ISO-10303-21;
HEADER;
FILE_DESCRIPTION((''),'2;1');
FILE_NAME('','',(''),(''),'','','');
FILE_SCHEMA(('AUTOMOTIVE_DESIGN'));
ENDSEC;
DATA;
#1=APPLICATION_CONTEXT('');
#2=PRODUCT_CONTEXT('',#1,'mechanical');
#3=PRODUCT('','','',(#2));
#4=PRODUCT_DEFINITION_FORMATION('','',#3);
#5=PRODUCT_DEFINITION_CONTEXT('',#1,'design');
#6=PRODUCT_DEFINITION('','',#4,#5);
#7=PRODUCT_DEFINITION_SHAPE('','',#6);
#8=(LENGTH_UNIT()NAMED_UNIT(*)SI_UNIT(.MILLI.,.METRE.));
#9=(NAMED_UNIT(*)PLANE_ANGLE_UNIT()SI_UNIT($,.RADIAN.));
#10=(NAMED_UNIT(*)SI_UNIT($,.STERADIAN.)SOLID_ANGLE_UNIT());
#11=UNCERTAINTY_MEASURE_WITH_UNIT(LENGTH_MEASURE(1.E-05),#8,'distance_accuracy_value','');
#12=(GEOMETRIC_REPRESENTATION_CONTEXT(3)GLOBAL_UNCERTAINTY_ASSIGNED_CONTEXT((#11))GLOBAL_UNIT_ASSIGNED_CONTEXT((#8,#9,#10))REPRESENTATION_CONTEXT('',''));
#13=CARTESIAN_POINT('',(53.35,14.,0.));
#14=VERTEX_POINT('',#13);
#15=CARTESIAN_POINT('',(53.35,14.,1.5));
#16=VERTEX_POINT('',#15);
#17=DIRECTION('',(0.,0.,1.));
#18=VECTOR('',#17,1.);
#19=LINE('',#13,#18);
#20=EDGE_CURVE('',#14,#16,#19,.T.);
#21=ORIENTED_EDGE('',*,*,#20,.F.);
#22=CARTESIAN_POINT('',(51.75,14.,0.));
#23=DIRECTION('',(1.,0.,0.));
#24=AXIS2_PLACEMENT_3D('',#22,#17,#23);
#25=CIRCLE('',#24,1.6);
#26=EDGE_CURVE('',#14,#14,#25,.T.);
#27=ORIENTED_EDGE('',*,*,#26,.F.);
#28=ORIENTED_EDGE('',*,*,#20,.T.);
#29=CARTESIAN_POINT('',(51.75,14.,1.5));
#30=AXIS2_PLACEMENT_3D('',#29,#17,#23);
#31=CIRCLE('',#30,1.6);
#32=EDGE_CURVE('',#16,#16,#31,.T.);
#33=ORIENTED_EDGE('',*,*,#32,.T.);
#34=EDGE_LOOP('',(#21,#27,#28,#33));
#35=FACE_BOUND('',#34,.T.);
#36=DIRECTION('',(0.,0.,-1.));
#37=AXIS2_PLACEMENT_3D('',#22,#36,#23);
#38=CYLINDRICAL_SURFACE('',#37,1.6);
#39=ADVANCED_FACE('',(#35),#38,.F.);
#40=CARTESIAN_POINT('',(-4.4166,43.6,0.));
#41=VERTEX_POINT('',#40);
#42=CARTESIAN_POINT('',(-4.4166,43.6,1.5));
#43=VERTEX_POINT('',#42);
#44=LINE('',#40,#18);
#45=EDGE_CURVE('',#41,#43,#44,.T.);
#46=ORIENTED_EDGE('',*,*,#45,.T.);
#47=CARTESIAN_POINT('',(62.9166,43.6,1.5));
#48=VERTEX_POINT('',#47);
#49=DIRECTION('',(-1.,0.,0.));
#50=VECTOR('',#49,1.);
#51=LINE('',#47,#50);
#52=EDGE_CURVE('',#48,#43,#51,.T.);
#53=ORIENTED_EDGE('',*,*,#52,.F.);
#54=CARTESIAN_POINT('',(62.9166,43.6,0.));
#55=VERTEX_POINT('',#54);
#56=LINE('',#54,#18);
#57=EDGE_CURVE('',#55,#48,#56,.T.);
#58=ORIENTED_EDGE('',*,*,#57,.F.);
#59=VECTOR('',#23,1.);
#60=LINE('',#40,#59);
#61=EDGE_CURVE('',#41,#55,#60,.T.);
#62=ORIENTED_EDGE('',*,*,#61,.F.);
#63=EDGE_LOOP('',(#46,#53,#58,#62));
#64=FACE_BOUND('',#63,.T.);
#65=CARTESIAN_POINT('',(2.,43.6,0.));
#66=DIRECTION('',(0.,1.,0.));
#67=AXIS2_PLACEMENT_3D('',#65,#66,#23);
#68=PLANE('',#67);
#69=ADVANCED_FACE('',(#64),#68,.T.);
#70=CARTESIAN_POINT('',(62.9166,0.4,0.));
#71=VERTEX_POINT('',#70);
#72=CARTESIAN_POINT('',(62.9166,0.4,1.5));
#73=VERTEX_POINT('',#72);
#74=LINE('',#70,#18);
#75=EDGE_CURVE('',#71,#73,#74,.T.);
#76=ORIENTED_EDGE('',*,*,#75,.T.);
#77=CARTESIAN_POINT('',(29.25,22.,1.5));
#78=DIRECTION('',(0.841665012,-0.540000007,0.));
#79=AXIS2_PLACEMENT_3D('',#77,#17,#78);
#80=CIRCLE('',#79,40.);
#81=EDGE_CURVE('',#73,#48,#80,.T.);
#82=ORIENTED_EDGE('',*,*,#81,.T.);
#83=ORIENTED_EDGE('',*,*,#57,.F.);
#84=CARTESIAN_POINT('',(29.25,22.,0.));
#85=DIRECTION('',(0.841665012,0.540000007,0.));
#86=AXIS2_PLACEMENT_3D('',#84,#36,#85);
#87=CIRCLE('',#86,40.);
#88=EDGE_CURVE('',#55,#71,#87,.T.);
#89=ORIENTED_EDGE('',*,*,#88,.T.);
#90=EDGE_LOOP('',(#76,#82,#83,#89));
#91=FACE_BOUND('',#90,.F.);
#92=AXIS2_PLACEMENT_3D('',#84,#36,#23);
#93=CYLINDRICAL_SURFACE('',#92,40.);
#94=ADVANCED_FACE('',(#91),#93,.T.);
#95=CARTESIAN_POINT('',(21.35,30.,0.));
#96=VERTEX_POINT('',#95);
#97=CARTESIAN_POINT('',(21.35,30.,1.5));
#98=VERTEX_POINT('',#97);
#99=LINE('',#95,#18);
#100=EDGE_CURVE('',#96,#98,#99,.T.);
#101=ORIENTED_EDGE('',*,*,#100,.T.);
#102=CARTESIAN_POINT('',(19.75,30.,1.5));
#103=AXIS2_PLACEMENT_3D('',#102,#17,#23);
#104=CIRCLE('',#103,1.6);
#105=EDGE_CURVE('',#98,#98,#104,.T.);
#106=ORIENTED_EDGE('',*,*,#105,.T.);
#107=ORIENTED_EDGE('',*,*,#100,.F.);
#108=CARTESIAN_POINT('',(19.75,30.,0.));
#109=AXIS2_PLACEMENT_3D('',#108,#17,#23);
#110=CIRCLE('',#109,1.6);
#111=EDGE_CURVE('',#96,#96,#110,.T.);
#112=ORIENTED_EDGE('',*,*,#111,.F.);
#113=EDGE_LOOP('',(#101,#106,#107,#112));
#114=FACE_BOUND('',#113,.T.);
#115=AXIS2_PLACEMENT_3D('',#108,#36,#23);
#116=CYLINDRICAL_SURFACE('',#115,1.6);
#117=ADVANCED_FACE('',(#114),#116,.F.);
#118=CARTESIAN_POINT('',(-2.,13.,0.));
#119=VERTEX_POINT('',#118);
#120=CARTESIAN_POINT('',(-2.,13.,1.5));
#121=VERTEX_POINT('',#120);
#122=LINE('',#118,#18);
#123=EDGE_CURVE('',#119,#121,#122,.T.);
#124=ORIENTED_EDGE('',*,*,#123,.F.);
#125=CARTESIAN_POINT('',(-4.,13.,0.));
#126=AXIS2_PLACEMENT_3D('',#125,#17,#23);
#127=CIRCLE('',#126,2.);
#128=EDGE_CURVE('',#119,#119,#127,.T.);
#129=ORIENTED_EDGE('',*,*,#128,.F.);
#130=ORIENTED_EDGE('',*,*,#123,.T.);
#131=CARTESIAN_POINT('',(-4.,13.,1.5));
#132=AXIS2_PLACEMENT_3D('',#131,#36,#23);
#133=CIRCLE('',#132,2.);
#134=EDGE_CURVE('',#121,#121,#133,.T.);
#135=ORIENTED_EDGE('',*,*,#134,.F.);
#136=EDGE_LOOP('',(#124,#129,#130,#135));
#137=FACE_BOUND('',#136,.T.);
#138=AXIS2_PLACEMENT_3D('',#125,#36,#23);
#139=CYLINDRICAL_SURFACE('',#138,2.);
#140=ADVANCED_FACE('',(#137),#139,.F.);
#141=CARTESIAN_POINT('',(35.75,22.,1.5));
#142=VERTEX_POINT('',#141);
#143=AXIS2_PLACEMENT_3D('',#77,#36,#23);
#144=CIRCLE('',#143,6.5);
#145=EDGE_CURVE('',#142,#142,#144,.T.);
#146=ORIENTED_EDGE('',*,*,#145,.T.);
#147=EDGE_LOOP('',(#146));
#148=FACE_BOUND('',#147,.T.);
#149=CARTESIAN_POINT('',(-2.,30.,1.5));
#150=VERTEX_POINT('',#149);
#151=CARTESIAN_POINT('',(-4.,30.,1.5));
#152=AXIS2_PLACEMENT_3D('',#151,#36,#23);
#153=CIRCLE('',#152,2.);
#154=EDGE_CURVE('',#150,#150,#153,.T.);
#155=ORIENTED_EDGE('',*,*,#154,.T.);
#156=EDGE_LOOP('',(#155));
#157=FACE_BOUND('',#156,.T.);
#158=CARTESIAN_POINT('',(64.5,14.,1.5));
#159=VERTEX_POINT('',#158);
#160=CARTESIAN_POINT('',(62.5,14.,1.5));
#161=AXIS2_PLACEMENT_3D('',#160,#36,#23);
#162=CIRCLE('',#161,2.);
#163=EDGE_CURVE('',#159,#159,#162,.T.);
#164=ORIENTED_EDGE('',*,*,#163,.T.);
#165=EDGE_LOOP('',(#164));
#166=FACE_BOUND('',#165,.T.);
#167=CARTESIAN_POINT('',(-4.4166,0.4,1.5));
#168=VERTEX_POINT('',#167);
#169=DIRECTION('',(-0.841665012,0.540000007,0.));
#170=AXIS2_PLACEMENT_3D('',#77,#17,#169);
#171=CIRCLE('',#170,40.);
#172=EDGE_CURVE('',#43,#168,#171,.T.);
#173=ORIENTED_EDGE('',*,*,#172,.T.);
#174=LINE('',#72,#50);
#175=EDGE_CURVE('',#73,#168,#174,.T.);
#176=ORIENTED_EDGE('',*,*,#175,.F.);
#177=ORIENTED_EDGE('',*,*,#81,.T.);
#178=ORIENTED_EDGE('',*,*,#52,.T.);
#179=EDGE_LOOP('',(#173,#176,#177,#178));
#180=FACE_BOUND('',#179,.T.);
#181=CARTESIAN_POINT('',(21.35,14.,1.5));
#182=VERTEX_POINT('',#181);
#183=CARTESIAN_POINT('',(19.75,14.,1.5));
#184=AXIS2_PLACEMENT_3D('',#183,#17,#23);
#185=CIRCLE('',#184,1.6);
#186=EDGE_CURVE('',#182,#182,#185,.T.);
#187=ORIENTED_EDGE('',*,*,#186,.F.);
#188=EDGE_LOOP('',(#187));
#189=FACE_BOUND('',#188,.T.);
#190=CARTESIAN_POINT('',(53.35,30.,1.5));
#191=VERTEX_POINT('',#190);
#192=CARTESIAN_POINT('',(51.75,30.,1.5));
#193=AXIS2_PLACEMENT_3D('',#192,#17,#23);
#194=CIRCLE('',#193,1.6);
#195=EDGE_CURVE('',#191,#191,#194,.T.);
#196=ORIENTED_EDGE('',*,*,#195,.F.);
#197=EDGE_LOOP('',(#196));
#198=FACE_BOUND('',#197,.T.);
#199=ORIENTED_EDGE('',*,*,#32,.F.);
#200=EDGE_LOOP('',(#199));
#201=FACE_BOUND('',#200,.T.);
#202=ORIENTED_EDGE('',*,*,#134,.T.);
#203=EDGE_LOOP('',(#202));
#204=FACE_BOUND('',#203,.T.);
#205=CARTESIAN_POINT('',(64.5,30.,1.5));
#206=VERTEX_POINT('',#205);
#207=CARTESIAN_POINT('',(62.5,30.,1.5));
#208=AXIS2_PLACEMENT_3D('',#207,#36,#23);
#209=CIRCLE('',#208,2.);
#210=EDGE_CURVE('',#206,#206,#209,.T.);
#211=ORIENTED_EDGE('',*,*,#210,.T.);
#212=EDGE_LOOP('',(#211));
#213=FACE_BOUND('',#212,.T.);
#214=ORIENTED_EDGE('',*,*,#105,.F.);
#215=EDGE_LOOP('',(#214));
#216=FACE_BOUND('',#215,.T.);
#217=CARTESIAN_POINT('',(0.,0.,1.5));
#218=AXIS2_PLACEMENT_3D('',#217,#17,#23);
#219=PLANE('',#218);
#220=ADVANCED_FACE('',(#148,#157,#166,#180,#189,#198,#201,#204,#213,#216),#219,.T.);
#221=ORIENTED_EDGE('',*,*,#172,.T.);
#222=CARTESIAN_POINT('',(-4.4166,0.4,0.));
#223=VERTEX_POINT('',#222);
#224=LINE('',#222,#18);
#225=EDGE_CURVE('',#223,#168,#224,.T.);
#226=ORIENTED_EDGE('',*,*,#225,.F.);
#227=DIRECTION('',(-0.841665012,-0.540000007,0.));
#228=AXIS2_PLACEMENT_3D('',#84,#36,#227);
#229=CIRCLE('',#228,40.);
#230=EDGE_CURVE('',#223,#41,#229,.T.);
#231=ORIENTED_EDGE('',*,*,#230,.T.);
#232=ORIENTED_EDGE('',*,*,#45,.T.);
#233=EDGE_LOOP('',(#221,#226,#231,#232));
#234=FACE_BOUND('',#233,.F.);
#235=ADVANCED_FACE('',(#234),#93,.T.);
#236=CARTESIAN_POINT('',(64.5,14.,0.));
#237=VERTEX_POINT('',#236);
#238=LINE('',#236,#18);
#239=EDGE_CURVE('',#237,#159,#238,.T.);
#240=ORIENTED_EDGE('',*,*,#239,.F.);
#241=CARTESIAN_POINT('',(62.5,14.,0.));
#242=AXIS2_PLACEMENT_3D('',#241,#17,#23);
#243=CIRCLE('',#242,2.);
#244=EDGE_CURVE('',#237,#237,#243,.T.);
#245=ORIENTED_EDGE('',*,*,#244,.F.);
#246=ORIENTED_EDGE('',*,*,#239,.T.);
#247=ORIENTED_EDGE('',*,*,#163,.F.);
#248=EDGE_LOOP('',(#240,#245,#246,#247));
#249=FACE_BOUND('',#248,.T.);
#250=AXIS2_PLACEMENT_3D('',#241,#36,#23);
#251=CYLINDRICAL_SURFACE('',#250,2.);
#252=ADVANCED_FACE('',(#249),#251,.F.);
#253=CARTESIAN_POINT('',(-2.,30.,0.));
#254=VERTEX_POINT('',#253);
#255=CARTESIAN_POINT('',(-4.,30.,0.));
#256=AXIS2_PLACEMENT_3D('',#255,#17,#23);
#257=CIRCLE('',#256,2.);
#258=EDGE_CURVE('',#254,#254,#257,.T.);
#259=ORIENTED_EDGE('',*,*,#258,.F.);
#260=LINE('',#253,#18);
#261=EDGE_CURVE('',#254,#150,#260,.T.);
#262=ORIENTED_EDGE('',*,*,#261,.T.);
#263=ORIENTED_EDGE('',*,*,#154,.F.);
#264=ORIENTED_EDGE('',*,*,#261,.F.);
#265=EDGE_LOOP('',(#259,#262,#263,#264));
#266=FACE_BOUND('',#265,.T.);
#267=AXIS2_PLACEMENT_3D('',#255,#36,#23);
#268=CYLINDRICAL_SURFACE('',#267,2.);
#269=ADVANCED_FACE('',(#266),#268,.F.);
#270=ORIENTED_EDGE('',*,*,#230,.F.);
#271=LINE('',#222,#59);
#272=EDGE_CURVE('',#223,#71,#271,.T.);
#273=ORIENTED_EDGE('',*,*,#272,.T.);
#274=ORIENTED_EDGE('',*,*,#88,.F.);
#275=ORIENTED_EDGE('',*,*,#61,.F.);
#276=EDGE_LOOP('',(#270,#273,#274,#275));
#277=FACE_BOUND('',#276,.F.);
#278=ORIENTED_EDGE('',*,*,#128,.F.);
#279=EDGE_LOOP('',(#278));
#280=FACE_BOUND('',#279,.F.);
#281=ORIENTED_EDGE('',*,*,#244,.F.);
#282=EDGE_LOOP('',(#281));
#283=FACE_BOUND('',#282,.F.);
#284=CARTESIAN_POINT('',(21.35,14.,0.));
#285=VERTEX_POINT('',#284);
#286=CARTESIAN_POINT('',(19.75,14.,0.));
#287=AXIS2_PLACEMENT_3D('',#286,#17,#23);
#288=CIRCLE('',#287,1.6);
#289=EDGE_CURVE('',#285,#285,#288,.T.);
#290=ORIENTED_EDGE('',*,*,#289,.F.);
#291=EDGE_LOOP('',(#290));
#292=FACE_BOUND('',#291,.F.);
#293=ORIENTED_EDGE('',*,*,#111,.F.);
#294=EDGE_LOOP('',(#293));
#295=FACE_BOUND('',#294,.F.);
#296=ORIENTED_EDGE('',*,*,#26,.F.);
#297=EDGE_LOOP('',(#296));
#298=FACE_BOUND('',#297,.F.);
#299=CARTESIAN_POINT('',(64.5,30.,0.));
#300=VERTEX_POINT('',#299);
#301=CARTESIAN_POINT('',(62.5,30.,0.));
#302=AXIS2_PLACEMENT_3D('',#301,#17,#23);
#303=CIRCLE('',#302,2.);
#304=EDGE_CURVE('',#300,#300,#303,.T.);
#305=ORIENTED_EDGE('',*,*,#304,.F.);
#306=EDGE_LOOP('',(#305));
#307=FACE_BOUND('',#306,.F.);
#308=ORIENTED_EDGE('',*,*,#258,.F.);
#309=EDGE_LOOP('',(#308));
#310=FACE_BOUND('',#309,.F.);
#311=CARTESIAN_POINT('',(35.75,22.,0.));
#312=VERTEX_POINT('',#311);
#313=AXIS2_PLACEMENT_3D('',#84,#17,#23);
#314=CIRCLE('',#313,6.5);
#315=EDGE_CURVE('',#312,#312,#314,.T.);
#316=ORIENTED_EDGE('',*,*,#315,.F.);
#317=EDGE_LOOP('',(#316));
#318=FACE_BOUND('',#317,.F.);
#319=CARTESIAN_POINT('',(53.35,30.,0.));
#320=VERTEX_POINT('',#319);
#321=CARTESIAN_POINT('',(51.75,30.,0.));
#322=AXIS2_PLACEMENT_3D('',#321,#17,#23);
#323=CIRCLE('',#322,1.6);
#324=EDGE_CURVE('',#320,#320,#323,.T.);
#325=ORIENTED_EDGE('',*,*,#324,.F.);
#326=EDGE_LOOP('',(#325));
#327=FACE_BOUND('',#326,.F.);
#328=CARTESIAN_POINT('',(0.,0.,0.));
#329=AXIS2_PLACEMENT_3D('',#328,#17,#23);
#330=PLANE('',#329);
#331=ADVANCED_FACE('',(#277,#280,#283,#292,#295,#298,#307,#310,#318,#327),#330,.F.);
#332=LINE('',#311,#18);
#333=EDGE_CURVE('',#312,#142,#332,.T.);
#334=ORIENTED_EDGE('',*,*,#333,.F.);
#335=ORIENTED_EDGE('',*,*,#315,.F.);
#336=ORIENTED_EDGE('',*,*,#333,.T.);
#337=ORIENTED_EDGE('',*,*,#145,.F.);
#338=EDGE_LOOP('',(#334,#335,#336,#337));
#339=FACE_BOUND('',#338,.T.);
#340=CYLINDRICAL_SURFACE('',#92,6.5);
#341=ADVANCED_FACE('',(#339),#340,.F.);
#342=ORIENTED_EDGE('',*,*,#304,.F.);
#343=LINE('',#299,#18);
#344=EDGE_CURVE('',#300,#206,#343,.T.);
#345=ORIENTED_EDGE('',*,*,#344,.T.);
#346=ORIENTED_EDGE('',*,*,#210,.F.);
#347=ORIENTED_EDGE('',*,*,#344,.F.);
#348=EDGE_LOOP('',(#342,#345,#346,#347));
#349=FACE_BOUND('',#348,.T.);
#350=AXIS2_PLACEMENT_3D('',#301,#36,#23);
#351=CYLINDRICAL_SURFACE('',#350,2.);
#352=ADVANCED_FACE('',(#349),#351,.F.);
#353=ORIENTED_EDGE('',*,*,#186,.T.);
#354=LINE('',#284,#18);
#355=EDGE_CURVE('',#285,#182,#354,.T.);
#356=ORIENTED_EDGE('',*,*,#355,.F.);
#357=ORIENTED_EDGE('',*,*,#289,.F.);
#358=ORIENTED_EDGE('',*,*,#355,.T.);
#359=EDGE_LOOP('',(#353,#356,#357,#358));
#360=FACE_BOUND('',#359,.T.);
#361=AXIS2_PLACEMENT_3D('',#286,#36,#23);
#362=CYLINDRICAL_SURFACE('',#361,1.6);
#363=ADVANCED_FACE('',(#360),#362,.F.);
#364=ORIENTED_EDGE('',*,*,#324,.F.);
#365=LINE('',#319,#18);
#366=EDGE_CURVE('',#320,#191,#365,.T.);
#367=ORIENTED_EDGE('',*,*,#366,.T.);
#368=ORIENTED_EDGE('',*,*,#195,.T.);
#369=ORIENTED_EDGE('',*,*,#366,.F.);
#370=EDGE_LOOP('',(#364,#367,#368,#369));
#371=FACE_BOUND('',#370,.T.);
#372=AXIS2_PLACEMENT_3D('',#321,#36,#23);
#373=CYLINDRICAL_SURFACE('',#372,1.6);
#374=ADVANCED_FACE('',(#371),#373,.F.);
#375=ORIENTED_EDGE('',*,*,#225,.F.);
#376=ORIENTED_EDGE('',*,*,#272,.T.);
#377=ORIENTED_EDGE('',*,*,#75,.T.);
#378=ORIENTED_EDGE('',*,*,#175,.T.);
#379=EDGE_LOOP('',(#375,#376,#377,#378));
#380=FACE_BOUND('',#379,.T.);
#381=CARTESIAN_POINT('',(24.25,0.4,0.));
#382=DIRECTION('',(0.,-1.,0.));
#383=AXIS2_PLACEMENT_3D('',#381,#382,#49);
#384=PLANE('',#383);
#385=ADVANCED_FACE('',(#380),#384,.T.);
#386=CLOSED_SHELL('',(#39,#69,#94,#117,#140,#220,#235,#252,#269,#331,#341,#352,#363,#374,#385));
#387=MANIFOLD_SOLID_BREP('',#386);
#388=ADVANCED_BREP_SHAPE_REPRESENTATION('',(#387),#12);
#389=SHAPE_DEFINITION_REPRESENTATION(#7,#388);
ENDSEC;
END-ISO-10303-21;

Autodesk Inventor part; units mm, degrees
ref_plane "YZ Plane" through (0, 0, 0) normal (1, 0, 0) x (0, 1, 0)
ref_plane "XZ Plane" through (0, 0, 0) normal (0, 1, 0) x (-1, 0, 0)
ref_plane "XY Plane" through (0, 0, 0) normal (0, 0, 1) x (1, 0, 0)
sketch "スケッチ1" plane through (0, 0, 0) normal (0, 0, 1) x (1, 0, 0)
  line L0 (24.05, 13.6) -> (24.05, 0.4) projected
  line L1 (24.05, 13.6) -> (37.25, 13.6) projected
  line L2 (37.25, 13.6) -> (37.25, 0.4) projected
  line L3 (56.5, 0.4) -> (37.25, 0.4) projected
  line L4 (56.5, 43.6) -> (56.5, 0.4) projected
  line L5 (2, 43.6) -> (56.5, 43.6) projected
  line L6 (2, 43.6) -> (2, 0.4) projected
  line L7 (24.05, 0.4) -> (2, 0.4) projected
  circle A0 centre (19.75, 30) radius 1.35 projected
  circle A1 centre (51.75, 14) radius 1.35 projected
  circle A2 centre (51.75, 30) radius 1.35 projected
  circle A3 centre (19.75, 14) radius 1.35 projected
  line L8 (2, 43.6) -> (56.5, 43.6)
  line L9 (56.5, 43.6) -> (56.5, 0.4)
  line L10 (56.5, 0.4) -> (2, 0.4)
  line L11 (2, 0.4) -> (2, 43.6)
  circle A4 centre (19.75, 14) radius 1.6
  circle A5 centre (19.75, 30) radius 1.6
  circle A6 centre (51.75, 30) radius 1.6
  circle A7 centre (51.75, 14) radius 1.6
  line L12 (-3.8486, -27.4677) -> (-13.8486, -27.4561) projected
  line L13 (34.25, -27.4677) -> (34.25, 112.5)
  line L14 (24.25, -27.4561) -> (24.25, 112.5)
  line L15 (24.25, 22) -> (34.25, 22)
  circle A8 centre (29.25, 22) radius 6.5
  circle A9 centre (29.25, 22) radius 40
  line L16 (2, 22) -> (-10.75, 22)
  line L17 (56.5, 22) -> (69.25, 22)
  line L18 (2, 22) -> (-4, 22)
  line L19 (-4, 22) -> (-4, 13)
  line L20 (-4, 13) -> (2, 13)
  line L21 (2, 13) -> (2, 22)
  line L22 (2, 22) -> (-4, 22)
  line L23 (-4, 22) -> (-4, 30)
  line L24 (-4, 30) -> (2, 30)
  line L25 (2, 30) -> (2, 22)
  line L26 (56.5, 22) -> (62.5, 22)
  line L27 (62.5, 22) -> (62.5, 14)
  line L28 (62.5, 14) -> (56.5, 14)
  line L29 (56.5, 14) -> (56.5, 22)
  line L30 (56.5, 22) -> (62.5, 22)
  line L31 (62.5, 22) -> (62.5, 30)
  line L32 (62.5, 30) -> (56.5, 30)
  line L33 (56.5, 30) -> (56.5, 22)
  circle A10 centre (-4, 13) radius 2
  circle A11 centre (-4, 30) radius 2
  circle A12 centre (62.5, 30) radius 2
  circle A13 centre (62.5, 14) radius 2
  line L34 (2, 43.6) -> (-4.4166, 43.6)
  line L35 (56.5, 43.6) -> (62.9166, 43.6)
  line L36 (2, 0.4) -> (-4.4166, 0.4)
  line L37 (56.5, 0.4) -> (62.9166, 0.4)
  point P0 (0, 0)
  point P1 (34.25, 112.5)
  point P2 (24.25, 112.5)
  point P3 (63.0326, 0.5819)
  point P4 (61.25, 46)
  point P5 (24.3716, 20.9038)
  point P6 (24.3687, 23.0832)
  point P7 (25.6996, 25.5206)
  point P8 (25.082, 19.2381)
  dimension "d7" = 80
  dimension "d0" = 3.2
  dimension "d1" = 3.2
  dimension "d2" = 3.2
  dimension "d3" = 3.2
  dimension "d6" = 13
  dimension "d8" = 6
  dimension "d9" = 9
  dimension "d10" = 6
  dimension "d11" = 4
  dimension "d12" = 4
  dimension "d13" = 4
  dimension "d14" = 4
extrude "押し出し1" add sketch "スケッチ1" along normal blind 1.5 contours L1 L14 L10 L0 | L0 L7 L6 L5 L14 A8 L1 | L14 A8 L13 L1 | L1 L13 L10 L14 | L36 A9 L16 L19 A10 L20 L6 | L13 A8 L5 L4 L3 L2 L1 | L1 L2 L10 L13 | L20 A10 L19 L16 L6 | L14 L5 L13 A8 | L16 L23 A11 L24 L6 | A9 L34 L6 L24 A11 L23 L16 | L4 L28 A13 L27 L17 A9 L37 | L4 L17 L27 A13 L28 | L17 L31 A12 L32 L4 L35 A9 | L4 L32 A12 L31 L17
sketch "スケッチ2" plane through (0, 0, 1.5) normal (0, 0, 1) x (1, 0, 0)
  point P0 (0, 0)
